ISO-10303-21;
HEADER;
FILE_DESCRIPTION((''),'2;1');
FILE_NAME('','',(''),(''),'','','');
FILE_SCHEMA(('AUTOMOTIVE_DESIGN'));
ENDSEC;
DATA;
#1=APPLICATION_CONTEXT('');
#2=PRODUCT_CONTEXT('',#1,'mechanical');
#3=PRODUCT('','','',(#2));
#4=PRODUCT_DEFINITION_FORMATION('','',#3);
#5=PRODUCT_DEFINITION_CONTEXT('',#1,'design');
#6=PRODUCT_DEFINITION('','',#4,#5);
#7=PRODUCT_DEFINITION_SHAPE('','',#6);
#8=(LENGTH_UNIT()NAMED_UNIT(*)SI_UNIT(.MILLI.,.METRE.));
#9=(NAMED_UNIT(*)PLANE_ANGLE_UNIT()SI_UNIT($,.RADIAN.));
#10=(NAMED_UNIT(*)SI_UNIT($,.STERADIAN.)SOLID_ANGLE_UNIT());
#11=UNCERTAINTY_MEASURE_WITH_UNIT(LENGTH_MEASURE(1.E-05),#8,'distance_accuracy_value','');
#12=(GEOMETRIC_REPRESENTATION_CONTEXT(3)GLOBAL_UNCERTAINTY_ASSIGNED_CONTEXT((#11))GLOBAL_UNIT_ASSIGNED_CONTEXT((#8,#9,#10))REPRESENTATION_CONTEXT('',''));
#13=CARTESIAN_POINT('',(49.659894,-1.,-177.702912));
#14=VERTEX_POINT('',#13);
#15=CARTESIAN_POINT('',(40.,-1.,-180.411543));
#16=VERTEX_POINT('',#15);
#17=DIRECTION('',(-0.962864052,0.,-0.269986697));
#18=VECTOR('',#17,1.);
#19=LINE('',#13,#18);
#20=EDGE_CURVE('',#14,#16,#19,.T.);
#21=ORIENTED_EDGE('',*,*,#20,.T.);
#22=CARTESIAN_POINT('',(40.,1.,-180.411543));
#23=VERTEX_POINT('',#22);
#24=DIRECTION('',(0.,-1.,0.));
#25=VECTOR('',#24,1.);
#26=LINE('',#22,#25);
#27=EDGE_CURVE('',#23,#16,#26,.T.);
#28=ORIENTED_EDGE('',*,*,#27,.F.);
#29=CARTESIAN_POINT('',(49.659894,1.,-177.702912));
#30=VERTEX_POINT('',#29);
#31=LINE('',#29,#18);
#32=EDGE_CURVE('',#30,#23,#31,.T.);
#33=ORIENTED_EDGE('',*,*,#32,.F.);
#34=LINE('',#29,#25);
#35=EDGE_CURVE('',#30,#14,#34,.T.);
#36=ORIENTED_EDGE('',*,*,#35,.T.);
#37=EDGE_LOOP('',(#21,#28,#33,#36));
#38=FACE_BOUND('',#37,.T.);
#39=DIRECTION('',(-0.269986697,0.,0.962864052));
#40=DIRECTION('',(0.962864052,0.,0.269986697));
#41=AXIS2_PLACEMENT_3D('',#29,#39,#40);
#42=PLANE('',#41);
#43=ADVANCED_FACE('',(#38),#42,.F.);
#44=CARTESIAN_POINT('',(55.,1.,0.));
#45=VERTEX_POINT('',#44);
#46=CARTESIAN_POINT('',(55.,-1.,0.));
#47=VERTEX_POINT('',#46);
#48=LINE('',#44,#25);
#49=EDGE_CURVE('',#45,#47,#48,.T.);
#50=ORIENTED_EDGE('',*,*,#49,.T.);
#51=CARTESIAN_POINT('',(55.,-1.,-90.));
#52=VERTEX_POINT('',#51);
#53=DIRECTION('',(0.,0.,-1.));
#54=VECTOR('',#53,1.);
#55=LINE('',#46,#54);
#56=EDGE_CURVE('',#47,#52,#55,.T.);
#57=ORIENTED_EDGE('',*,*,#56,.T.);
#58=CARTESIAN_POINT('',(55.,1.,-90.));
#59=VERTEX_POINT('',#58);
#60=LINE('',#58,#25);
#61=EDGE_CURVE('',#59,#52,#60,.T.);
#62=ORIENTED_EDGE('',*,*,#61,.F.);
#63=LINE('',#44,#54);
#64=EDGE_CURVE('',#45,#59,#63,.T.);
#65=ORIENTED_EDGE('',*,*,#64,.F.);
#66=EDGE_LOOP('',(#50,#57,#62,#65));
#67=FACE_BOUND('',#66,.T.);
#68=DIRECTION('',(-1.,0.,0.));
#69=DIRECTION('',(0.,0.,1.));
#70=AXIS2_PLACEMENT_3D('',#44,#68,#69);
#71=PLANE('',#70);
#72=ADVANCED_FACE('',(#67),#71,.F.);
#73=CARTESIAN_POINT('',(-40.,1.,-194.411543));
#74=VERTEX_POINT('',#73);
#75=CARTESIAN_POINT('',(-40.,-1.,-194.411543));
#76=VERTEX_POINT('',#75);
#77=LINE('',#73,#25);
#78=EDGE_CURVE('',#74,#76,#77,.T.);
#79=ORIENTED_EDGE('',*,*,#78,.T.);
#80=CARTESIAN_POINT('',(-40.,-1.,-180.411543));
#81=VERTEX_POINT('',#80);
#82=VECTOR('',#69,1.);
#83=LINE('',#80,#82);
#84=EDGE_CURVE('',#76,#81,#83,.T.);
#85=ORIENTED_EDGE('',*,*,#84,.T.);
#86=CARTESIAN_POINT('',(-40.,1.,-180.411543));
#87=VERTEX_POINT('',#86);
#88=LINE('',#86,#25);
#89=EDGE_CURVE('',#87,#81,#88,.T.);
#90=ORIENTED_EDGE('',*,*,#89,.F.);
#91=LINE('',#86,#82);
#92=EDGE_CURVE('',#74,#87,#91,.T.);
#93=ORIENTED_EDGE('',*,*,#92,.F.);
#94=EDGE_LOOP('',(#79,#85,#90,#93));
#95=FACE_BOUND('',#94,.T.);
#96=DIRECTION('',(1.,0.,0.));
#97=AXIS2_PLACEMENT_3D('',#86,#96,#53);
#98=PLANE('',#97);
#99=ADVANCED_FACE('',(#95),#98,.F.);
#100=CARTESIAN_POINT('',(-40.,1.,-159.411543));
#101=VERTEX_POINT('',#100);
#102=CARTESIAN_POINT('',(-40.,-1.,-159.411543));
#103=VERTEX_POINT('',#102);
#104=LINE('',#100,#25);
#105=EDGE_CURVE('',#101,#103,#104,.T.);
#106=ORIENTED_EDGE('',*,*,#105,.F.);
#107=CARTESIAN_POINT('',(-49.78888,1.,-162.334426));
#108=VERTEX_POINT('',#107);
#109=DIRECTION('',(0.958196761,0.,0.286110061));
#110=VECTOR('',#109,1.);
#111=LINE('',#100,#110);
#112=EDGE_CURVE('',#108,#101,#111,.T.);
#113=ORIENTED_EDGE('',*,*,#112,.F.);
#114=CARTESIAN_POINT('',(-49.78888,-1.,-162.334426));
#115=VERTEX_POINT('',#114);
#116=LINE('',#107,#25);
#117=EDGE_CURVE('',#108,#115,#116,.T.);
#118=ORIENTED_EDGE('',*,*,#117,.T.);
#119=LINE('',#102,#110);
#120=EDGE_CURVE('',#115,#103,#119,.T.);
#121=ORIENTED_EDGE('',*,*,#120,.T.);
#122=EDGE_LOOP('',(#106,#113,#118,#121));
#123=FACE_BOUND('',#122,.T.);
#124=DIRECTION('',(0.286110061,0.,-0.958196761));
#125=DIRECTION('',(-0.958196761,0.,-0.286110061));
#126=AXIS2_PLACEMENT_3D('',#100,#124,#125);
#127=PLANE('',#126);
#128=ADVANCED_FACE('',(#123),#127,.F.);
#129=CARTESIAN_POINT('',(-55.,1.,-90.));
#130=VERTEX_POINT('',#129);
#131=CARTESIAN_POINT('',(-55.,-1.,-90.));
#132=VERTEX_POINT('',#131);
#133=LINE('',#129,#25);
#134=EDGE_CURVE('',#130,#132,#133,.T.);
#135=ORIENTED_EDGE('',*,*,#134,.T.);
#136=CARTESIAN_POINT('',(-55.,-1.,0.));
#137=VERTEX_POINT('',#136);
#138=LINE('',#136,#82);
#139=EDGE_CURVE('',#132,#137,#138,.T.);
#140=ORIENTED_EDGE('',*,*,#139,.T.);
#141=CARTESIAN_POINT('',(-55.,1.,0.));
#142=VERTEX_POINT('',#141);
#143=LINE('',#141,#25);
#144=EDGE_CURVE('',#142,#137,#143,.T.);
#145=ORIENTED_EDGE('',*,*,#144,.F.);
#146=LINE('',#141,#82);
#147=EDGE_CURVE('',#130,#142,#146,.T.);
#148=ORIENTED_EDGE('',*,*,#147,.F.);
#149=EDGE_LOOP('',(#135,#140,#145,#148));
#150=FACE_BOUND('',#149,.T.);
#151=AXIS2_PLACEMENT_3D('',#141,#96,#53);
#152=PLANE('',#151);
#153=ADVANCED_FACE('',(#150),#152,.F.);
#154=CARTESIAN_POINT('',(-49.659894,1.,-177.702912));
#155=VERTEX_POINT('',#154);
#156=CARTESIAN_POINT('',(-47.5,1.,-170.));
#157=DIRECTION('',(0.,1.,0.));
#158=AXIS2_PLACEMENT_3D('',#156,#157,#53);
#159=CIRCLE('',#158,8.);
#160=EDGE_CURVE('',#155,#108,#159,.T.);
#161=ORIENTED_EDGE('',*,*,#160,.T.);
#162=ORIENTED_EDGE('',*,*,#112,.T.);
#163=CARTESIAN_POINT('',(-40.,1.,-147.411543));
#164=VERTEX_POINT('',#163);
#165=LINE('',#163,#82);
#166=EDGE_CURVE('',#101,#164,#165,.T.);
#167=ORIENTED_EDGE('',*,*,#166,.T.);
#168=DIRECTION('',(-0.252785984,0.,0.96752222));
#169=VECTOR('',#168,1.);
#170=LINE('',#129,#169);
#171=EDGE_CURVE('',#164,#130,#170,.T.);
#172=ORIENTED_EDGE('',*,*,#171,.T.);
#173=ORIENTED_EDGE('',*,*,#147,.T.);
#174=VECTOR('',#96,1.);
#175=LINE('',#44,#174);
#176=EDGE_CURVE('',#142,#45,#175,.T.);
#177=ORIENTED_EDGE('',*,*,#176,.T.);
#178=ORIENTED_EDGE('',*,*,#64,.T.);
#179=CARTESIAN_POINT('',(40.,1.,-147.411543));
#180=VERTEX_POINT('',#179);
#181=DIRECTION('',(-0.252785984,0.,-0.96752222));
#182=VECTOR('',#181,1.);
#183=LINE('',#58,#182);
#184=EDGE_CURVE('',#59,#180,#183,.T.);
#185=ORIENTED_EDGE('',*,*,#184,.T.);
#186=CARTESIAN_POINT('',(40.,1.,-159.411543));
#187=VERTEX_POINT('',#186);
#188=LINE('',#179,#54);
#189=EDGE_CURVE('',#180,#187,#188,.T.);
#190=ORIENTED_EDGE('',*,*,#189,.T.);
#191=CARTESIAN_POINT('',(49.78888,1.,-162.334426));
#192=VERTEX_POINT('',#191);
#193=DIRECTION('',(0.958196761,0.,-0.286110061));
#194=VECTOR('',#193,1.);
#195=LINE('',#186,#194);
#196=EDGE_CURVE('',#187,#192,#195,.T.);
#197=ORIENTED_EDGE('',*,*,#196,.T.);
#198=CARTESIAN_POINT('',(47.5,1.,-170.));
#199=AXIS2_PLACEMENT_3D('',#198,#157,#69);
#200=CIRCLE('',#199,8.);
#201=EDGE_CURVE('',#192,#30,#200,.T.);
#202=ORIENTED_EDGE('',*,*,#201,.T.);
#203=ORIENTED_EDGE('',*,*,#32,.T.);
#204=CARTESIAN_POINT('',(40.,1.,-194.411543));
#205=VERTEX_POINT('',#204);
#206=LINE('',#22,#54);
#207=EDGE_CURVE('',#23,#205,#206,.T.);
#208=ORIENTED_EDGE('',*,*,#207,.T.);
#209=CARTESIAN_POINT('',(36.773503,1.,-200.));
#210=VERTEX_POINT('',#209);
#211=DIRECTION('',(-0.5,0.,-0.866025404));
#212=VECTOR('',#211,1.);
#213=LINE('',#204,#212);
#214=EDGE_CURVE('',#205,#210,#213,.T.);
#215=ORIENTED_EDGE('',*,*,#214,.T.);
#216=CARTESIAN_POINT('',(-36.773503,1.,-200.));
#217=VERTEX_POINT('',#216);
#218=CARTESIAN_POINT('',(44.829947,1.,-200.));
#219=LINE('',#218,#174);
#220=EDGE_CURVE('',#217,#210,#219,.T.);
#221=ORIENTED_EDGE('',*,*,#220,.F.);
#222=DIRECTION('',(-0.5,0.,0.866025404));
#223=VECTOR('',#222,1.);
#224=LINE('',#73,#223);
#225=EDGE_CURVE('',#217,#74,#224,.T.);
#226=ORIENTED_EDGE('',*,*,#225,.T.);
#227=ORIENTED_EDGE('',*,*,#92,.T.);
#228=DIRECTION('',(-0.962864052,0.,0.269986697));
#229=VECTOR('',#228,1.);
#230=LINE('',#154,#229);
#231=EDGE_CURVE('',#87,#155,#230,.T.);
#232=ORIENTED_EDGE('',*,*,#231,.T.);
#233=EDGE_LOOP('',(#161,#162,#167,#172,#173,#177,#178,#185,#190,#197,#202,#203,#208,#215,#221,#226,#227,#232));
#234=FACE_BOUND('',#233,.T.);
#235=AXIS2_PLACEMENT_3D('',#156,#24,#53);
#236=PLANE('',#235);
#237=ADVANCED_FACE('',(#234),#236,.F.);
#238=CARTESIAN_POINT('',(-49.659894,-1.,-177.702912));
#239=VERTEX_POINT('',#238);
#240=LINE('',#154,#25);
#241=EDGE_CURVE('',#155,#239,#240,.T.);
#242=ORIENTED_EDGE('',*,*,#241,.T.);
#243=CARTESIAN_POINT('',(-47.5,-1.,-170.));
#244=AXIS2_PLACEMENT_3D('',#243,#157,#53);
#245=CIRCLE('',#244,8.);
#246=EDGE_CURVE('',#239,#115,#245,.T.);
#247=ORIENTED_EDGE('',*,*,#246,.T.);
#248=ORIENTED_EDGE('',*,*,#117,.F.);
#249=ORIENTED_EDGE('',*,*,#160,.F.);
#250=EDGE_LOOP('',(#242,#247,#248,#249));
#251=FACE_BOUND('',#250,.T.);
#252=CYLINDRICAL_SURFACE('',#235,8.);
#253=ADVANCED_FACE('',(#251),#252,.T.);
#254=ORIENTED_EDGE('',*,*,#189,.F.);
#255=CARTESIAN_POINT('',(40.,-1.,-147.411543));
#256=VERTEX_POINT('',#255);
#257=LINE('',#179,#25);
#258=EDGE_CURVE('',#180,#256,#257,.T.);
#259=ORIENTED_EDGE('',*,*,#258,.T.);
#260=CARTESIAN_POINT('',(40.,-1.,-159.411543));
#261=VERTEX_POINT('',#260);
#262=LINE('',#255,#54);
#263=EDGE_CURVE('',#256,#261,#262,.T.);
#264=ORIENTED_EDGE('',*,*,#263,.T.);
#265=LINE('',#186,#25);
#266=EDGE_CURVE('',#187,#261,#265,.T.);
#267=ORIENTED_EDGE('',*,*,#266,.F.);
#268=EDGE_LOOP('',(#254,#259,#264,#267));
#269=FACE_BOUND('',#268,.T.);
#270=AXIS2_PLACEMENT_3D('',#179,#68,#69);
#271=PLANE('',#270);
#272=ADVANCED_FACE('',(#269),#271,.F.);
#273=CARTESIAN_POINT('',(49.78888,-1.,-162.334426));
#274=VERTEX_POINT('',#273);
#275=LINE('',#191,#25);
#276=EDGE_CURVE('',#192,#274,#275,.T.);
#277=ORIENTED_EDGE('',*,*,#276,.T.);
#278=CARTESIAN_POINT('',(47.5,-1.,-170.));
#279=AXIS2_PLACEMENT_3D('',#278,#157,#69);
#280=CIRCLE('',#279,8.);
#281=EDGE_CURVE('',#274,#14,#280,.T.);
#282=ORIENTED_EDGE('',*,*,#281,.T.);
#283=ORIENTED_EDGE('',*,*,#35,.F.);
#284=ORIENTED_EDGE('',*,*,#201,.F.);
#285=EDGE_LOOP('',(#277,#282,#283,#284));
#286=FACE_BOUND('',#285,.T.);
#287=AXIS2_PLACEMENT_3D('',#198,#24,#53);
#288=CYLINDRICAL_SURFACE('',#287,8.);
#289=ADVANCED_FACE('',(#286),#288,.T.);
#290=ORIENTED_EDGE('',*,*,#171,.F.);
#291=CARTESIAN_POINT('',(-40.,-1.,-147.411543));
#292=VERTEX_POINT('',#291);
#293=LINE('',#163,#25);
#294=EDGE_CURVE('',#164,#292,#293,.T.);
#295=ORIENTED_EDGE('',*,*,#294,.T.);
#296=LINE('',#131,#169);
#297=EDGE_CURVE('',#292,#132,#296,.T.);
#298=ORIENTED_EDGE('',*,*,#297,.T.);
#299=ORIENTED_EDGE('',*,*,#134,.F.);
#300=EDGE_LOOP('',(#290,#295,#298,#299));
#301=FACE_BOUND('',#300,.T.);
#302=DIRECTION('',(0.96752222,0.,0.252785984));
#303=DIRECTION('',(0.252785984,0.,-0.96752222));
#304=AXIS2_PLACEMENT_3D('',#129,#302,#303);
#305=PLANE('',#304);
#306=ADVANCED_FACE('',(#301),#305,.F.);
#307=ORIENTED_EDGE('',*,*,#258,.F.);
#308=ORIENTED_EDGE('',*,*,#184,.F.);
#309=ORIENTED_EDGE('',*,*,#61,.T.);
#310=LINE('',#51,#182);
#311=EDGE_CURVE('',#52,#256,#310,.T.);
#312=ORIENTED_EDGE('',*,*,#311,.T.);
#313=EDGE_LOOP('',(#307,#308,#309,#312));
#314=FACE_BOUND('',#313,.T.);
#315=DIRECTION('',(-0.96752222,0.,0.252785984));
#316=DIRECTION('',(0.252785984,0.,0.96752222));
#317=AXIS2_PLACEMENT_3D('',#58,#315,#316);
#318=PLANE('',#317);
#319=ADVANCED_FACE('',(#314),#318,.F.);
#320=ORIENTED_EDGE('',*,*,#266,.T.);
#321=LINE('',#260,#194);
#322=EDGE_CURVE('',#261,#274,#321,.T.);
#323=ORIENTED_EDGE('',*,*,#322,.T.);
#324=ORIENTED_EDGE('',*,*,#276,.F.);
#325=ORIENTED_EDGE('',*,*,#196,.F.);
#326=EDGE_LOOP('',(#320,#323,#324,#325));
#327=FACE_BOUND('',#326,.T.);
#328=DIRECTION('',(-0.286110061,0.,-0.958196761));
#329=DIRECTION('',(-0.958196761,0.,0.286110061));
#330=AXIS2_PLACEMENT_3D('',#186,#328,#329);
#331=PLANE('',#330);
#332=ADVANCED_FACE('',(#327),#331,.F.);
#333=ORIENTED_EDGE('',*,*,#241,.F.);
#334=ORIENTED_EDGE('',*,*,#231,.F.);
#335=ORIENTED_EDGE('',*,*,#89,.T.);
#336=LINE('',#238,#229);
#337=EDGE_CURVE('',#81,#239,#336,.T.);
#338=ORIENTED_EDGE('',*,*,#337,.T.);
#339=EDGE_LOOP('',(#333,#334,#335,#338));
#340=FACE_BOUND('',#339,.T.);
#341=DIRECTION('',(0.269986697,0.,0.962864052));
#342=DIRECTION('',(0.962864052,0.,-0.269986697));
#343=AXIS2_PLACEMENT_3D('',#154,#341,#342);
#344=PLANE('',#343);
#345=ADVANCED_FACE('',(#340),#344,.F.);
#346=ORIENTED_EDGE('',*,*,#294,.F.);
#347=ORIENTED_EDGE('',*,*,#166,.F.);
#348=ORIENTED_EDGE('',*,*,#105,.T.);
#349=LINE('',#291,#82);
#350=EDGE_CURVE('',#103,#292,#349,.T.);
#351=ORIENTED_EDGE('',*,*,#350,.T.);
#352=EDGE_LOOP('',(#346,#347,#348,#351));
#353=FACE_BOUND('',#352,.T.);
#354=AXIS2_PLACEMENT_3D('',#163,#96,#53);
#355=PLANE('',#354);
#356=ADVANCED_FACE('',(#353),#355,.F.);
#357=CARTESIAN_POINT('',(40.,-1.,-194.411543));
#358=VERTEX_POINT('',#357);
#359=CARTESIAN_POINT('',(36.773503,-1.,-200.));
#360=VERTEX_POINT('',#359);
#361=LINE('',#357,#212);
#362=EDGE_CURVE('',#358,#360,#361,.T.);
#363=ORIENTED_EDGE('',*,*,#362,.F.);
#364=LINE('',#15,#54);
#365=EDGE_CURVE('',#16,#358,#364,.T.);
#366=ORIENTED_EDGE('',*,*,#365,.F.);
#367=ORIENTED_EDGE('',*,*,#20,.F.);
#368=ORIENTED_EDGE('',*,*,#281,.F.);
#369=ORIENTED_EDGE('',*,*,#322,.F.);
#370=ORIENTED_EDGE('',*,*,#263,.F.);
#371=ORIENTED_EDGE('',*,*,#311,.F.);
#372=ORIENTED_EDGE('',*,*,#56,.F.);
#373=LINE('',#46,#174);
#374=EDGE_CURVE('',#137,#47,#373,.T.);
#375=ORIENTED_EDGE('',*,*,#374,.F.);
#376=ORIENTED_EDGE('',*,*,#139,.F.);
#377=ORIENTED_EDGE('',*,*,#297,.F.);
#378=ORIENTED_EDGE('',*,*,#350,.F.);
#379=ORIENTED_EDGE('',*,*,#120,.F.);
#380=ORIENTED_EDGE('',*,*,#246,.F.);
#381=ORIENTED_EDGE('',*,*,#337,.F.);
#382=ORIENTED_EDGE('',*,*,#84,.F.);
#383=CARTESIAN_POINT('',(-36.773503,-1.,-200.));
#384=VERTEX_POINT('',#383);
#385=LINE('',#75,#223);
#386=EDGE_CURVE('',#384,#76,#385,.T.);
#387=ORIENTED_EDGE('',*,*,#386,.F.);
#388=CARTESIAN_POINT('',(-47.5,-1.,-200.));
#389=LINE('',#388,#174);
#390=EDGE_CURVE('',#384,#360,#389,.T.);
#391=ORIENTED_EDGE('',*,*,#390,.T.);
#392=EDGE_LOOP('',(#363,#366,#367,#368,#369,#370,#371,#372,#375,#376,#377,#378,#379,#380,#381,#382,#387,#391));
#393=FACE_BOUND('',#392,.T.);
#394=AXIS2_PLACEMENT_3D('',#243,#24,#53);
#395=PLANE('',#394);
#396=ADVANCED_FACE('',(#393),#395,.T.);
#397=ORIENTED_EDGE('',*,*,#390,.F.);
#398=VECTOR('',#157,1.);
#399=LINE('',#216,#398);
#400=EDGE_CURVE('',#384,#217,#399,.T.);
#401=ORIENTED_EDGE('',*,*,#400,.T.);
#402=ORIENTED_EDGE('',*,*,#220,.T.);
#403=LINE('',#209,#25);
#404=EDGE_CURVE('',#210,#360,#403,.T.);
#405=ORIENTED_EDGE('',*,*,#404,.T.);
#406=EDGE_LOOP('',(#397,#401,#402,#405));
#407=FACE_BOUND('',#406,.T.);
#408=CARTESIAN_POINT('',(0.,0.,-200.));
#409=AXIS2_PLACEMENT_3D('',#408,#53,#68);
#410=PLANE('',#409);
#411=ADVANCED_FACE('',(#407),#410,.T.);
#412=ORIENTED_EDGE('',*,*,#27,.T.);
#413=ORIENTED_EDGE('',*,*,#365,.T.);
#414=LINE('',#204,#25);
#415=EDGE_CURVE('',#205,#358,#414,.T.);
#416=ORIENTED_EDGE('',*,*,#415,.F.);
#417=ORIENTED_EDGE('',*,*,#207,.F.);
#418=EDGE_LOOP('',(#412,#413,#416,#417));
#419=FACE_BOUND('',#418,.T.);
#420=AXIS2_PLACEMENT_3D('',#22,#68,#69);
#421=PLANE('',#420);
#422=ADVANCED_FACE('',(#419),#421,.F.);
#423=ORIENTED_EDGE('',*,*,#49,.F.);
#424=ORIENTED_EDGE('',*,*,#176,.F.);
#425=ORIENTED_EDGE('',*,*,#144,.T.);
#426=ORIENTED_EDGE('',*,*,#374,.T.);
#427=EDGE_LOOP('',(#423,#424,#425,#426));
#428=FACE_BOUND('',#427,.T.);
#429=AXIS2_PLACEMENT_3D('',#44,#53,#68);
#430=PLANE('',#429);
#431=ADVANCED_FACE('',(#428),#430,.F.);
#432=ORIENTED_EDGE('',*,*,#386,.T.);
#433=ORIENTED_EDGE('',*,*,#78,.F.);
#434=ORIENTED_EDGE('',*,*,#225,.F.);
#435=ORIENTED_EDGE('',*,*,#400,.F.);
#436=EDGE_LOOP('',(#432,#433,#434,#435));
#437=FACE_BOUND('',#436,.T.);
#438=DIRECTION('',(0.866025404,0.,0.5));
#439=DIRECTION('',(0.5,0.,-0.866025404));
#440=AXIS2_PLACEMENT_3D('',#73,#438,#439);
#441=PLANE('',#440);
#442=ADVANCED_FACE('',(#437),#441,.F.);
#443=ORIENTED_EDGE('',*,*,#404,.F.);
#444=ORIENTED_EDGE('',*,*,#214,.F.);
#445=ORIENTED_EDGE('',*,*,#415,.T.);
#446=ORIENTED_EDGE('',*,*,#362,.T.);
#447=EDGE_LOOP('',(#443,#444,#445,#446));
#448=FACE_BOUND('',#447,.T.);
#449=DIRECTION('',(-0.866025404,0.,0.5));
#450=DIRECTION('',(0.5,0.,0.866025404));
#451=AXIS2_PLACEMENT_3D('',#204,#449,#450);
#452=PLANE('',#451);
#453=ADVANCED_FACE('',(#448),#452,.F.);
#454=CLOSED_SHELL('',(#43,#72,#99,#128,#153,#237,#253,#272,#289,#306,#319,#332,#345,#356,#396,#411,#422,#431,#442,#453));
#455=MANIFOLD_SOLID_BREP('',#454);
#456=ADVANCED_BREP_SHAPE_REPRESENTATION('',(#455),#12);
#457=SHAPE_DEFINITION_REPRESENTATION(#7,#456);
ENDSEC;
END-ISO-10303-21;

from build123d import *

# Parameters (mm, degrees)
EXTRUDE_1_DEPTH     = 1
SKETCH_2_W          = 89.659893576
SKETCH_2_H          = 2
CUT_EXTRUDE_1_DEPTH = 10


with BuildPart() as part:
    # 草图1 → 凸台-拉伸1 (new, symmetric)
    with BuildSketch(Plane(origin=(0, 0, 0), x_dir=(1, 0, 0), z_dir=(0, 1, 0))):
        with BuildLine():
            Line((55, 0), (-55, 0))
            Line((-55, 0), (-55, 90))
            Line((-55, 90), (-40, 147.411542732))
            Line((-40, 147.411542732), (-40, 159.411542732))
            Line((-40, 159.411542732), (-49.788880489, 162.334425912))
            ThreePointArc((-49.788880489, 162.334425912), (-55.499718249, 170.067141222), (-49.659893575, 177.70291242))
            Line((-49.659893575, 177.70291242), (-40, 180.411542732))
            Line((-40, 180.411542732), (-40, 194.411542732))
            Line((-40, 194.411542732), (-31, 210))
            Line((-31, 210), (31, 210))
            Line((31, 210), (40, 194.411542732))
            Line((40, 194.411542732), (40, 180.411542732))
            Line((40, 180.411542732), (49.659893575, 177.70291242))
            ThreePointArc((49.659893575, 177.70291242), (55.499718249, 170.067141222), (49.788880489, 162.334425912))
            Line((49.788880489, 162.334425912), (40, 159.411542732))
            Line((40, 159.411542732), (40, 147.411542732))
            Line((40, 147.411542732), (55, 90))
            Line((55, 90), (55, 0))
        make_face()
    extrude(amount=EXTRUDE_1_DEPTH, both=True)

    # 草图2 → 切除-拉伸1 (cut)
    with BuildSketch(Plane(origin=(0, 0, -210), x_dir=(-1, 0, 0), z_dir=(0, 0, -1))):
        Rectangle(SKETCH_2_W, SKETCH_2_H)
    extrude(amount=-CUT_EXTRUDE_1_DEPTH, mode=Mode.SUBTRACT)


solid = part.part
